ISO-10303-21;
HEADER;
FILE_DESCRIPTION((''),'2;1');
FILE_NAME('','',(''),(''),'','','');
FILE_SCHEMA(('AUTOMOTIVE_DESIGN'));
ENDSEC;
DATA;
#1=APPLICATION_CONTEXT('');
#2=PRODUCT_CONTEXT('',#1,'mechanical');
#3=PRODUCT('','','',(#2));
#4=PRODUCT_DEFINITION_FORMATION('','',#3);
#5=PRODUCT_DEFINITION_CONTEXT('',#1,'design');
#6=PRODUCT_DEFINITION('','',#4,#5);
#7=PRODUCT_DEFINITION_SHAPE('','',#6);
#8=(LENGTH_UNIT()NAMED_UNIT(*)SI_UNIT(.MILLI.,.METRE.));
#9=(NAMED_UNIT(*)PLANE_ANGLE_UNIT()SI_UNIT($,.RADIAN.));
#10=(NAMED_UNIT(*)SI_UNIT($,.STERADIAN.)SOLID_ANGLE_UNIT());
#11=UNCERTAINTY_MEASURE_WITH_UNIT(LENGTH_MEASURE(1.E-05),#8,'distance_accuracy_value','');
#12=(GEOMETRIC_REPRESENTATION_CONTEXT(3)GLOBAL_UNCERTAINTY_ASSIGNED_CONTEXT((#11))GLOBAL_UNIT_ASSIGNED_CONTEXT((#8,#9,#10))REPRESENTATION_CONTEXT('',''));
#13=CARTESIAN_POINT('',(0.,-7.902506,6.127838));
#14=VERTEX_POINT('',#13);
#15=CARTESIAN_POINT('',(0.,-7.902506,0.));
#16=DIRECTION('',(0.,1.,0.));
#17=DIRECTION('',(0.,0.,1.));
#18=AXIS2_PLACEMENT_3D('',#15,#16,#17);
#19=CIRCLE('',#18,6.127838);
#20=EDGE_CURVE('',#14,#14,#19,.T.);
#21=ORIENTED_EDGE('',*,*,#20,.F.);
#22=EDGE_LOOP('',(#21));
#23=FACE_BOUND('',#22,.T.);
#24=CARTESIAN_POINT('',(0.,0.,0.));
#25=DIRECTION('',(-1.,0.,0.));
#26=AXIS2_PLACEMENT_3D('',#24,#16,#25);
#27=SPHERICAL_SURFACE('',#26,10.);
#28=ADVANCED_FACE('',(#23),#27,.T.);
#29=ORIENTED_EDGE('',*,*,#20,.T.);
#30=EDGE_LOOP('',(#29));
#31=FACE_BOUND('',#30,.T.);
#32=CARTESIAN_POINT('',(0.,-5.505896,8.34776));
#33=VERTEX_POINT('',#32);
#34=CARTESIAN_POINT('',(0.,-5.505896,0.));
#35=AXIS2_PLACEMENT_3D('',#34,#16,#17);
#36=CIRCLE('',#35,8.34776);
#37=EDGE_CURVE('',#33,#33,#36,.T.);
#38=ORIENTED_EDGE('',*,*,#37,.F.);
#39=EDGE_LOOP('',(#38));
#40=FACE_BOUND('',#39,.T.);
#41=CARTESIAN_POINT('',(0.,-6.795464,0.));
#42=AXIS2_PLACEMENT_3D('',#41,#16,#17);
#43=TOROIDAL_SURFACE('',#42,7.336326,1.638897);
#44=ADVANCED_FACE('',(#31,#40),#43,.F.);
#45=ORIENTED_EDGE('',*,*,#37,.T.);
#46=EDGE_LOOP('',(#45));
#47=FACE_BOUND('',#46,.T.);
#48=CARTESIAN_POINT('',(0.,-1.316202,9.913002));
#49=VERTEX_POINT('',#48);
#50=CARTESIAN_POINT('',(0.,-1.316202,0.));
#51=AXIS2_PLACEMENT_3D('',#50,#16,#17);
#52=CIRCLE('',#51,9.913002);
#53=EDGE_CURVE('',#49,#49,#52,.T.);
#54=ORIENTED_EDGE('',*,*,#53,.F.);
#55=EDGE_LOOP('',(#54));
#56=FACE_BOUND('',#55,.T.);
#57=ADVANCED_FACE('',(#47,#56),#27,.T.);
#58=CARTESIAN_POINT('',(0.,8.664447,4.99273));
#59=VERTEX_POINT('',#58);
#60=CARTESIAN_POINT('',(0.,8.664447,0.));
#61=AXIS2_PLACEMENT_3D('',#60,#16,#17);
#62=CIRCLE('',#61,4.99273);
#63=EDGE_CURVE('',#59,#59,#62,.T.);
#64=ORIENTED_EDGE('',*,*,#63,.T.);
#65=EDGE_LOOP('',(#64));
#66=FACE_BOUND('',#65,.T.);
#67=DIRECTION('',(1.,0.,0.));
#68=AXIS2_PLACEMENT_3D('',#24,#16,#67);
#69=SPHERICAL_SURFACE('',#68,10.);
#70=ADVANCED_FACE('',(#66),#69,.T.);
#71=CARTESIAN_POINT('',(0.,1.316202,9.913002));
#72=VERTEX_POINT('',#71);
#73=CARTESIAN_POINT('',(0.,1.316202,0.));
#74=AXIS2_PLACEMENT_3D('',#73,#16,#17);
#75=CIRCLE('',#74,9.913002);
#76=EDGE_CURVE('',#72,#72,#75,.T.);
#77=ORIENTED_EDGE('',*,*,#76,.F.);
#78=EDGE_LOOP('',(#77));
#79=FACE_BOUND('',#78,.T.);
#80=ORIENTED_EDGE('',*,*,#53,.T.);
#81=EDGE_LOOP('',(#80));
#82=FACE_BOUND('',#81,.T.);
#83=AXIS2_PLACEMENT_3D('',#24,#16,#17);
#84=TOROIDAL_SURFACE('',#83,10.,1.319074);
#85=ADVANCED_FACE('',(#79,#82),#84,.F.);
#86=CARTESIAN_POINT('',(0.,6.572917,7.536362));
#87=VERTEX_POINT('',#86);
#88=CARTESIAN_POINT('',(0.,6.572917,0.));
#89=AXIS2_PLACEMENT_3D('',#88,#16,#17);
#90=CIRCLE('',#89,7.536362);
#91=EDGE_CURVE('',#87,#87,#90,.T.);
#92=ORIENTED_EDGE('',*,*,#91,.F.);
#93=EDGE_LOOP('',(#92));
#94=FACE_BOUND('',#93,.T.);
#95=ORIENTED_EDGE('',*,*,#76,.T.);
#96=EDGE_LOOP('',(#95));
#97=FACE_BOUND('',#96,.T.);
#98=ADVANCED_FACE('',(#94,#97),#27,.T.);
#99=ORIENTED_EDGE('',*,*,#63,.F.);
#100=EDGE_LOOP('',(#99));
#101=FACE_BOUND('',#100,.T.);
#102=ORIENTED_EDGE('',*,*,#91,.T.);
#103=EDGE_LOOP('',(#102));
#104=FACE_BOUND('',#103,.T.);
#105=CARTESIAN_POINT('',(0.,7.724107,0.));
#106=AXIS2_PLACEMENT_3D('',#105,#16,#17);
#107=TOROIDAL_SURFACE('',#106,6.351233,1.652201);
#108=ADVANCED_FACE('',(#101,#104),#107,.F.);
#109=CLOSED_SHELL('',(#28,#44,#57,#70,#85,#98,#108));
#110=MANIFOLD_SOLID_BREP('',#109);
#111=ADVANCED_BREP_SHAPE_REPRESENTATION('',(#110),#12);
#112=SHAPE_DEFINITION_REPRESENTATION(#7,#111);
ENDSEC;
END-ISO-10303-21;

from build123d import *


with BuildPart() as part:
    # Sketch1 → Revolve1 (revolve)
    with BuildSketch(Plane.XY):
        with BuildLine():
            Line((0, 10), (0, -10))
            ThreePointArc((0, -10), (-3.238436543, -9.461106106), (-6.12783835, -7.902505751))
            ThreePointArc((-6.12783835, -7.902505751), (-6.133977344, -5.681757049), (-8.347760427, -5.505896462))
            ThreePointArc((-8.347760427, -5.505896462), (-9.367616987, -3.49967884), (-9.913002196, -1.316201905))
            ThreePointArc((-9.913002196, -1.316201905), (-8.680926055, 0), (-9.913002196, 1.316201905))
            ThreePointArc((-9.913002196, 1.316201905), (-9.111989111, 4.119666788), (-7.536362431, 6.57291726))
            ThreePointArc((-7.536362431, 6.57291726), (-5.30188183, 6.447929275), (-4.99273047, 8.664447037))
            ThreePointArc((-4.99273047, 8.664447037), (-2.584137151, 9.66034343), (0, 10))
        make_face()
    revolve(axis=Axis((0, 10, 0), (0, -1, 0)))


solid = part.part
